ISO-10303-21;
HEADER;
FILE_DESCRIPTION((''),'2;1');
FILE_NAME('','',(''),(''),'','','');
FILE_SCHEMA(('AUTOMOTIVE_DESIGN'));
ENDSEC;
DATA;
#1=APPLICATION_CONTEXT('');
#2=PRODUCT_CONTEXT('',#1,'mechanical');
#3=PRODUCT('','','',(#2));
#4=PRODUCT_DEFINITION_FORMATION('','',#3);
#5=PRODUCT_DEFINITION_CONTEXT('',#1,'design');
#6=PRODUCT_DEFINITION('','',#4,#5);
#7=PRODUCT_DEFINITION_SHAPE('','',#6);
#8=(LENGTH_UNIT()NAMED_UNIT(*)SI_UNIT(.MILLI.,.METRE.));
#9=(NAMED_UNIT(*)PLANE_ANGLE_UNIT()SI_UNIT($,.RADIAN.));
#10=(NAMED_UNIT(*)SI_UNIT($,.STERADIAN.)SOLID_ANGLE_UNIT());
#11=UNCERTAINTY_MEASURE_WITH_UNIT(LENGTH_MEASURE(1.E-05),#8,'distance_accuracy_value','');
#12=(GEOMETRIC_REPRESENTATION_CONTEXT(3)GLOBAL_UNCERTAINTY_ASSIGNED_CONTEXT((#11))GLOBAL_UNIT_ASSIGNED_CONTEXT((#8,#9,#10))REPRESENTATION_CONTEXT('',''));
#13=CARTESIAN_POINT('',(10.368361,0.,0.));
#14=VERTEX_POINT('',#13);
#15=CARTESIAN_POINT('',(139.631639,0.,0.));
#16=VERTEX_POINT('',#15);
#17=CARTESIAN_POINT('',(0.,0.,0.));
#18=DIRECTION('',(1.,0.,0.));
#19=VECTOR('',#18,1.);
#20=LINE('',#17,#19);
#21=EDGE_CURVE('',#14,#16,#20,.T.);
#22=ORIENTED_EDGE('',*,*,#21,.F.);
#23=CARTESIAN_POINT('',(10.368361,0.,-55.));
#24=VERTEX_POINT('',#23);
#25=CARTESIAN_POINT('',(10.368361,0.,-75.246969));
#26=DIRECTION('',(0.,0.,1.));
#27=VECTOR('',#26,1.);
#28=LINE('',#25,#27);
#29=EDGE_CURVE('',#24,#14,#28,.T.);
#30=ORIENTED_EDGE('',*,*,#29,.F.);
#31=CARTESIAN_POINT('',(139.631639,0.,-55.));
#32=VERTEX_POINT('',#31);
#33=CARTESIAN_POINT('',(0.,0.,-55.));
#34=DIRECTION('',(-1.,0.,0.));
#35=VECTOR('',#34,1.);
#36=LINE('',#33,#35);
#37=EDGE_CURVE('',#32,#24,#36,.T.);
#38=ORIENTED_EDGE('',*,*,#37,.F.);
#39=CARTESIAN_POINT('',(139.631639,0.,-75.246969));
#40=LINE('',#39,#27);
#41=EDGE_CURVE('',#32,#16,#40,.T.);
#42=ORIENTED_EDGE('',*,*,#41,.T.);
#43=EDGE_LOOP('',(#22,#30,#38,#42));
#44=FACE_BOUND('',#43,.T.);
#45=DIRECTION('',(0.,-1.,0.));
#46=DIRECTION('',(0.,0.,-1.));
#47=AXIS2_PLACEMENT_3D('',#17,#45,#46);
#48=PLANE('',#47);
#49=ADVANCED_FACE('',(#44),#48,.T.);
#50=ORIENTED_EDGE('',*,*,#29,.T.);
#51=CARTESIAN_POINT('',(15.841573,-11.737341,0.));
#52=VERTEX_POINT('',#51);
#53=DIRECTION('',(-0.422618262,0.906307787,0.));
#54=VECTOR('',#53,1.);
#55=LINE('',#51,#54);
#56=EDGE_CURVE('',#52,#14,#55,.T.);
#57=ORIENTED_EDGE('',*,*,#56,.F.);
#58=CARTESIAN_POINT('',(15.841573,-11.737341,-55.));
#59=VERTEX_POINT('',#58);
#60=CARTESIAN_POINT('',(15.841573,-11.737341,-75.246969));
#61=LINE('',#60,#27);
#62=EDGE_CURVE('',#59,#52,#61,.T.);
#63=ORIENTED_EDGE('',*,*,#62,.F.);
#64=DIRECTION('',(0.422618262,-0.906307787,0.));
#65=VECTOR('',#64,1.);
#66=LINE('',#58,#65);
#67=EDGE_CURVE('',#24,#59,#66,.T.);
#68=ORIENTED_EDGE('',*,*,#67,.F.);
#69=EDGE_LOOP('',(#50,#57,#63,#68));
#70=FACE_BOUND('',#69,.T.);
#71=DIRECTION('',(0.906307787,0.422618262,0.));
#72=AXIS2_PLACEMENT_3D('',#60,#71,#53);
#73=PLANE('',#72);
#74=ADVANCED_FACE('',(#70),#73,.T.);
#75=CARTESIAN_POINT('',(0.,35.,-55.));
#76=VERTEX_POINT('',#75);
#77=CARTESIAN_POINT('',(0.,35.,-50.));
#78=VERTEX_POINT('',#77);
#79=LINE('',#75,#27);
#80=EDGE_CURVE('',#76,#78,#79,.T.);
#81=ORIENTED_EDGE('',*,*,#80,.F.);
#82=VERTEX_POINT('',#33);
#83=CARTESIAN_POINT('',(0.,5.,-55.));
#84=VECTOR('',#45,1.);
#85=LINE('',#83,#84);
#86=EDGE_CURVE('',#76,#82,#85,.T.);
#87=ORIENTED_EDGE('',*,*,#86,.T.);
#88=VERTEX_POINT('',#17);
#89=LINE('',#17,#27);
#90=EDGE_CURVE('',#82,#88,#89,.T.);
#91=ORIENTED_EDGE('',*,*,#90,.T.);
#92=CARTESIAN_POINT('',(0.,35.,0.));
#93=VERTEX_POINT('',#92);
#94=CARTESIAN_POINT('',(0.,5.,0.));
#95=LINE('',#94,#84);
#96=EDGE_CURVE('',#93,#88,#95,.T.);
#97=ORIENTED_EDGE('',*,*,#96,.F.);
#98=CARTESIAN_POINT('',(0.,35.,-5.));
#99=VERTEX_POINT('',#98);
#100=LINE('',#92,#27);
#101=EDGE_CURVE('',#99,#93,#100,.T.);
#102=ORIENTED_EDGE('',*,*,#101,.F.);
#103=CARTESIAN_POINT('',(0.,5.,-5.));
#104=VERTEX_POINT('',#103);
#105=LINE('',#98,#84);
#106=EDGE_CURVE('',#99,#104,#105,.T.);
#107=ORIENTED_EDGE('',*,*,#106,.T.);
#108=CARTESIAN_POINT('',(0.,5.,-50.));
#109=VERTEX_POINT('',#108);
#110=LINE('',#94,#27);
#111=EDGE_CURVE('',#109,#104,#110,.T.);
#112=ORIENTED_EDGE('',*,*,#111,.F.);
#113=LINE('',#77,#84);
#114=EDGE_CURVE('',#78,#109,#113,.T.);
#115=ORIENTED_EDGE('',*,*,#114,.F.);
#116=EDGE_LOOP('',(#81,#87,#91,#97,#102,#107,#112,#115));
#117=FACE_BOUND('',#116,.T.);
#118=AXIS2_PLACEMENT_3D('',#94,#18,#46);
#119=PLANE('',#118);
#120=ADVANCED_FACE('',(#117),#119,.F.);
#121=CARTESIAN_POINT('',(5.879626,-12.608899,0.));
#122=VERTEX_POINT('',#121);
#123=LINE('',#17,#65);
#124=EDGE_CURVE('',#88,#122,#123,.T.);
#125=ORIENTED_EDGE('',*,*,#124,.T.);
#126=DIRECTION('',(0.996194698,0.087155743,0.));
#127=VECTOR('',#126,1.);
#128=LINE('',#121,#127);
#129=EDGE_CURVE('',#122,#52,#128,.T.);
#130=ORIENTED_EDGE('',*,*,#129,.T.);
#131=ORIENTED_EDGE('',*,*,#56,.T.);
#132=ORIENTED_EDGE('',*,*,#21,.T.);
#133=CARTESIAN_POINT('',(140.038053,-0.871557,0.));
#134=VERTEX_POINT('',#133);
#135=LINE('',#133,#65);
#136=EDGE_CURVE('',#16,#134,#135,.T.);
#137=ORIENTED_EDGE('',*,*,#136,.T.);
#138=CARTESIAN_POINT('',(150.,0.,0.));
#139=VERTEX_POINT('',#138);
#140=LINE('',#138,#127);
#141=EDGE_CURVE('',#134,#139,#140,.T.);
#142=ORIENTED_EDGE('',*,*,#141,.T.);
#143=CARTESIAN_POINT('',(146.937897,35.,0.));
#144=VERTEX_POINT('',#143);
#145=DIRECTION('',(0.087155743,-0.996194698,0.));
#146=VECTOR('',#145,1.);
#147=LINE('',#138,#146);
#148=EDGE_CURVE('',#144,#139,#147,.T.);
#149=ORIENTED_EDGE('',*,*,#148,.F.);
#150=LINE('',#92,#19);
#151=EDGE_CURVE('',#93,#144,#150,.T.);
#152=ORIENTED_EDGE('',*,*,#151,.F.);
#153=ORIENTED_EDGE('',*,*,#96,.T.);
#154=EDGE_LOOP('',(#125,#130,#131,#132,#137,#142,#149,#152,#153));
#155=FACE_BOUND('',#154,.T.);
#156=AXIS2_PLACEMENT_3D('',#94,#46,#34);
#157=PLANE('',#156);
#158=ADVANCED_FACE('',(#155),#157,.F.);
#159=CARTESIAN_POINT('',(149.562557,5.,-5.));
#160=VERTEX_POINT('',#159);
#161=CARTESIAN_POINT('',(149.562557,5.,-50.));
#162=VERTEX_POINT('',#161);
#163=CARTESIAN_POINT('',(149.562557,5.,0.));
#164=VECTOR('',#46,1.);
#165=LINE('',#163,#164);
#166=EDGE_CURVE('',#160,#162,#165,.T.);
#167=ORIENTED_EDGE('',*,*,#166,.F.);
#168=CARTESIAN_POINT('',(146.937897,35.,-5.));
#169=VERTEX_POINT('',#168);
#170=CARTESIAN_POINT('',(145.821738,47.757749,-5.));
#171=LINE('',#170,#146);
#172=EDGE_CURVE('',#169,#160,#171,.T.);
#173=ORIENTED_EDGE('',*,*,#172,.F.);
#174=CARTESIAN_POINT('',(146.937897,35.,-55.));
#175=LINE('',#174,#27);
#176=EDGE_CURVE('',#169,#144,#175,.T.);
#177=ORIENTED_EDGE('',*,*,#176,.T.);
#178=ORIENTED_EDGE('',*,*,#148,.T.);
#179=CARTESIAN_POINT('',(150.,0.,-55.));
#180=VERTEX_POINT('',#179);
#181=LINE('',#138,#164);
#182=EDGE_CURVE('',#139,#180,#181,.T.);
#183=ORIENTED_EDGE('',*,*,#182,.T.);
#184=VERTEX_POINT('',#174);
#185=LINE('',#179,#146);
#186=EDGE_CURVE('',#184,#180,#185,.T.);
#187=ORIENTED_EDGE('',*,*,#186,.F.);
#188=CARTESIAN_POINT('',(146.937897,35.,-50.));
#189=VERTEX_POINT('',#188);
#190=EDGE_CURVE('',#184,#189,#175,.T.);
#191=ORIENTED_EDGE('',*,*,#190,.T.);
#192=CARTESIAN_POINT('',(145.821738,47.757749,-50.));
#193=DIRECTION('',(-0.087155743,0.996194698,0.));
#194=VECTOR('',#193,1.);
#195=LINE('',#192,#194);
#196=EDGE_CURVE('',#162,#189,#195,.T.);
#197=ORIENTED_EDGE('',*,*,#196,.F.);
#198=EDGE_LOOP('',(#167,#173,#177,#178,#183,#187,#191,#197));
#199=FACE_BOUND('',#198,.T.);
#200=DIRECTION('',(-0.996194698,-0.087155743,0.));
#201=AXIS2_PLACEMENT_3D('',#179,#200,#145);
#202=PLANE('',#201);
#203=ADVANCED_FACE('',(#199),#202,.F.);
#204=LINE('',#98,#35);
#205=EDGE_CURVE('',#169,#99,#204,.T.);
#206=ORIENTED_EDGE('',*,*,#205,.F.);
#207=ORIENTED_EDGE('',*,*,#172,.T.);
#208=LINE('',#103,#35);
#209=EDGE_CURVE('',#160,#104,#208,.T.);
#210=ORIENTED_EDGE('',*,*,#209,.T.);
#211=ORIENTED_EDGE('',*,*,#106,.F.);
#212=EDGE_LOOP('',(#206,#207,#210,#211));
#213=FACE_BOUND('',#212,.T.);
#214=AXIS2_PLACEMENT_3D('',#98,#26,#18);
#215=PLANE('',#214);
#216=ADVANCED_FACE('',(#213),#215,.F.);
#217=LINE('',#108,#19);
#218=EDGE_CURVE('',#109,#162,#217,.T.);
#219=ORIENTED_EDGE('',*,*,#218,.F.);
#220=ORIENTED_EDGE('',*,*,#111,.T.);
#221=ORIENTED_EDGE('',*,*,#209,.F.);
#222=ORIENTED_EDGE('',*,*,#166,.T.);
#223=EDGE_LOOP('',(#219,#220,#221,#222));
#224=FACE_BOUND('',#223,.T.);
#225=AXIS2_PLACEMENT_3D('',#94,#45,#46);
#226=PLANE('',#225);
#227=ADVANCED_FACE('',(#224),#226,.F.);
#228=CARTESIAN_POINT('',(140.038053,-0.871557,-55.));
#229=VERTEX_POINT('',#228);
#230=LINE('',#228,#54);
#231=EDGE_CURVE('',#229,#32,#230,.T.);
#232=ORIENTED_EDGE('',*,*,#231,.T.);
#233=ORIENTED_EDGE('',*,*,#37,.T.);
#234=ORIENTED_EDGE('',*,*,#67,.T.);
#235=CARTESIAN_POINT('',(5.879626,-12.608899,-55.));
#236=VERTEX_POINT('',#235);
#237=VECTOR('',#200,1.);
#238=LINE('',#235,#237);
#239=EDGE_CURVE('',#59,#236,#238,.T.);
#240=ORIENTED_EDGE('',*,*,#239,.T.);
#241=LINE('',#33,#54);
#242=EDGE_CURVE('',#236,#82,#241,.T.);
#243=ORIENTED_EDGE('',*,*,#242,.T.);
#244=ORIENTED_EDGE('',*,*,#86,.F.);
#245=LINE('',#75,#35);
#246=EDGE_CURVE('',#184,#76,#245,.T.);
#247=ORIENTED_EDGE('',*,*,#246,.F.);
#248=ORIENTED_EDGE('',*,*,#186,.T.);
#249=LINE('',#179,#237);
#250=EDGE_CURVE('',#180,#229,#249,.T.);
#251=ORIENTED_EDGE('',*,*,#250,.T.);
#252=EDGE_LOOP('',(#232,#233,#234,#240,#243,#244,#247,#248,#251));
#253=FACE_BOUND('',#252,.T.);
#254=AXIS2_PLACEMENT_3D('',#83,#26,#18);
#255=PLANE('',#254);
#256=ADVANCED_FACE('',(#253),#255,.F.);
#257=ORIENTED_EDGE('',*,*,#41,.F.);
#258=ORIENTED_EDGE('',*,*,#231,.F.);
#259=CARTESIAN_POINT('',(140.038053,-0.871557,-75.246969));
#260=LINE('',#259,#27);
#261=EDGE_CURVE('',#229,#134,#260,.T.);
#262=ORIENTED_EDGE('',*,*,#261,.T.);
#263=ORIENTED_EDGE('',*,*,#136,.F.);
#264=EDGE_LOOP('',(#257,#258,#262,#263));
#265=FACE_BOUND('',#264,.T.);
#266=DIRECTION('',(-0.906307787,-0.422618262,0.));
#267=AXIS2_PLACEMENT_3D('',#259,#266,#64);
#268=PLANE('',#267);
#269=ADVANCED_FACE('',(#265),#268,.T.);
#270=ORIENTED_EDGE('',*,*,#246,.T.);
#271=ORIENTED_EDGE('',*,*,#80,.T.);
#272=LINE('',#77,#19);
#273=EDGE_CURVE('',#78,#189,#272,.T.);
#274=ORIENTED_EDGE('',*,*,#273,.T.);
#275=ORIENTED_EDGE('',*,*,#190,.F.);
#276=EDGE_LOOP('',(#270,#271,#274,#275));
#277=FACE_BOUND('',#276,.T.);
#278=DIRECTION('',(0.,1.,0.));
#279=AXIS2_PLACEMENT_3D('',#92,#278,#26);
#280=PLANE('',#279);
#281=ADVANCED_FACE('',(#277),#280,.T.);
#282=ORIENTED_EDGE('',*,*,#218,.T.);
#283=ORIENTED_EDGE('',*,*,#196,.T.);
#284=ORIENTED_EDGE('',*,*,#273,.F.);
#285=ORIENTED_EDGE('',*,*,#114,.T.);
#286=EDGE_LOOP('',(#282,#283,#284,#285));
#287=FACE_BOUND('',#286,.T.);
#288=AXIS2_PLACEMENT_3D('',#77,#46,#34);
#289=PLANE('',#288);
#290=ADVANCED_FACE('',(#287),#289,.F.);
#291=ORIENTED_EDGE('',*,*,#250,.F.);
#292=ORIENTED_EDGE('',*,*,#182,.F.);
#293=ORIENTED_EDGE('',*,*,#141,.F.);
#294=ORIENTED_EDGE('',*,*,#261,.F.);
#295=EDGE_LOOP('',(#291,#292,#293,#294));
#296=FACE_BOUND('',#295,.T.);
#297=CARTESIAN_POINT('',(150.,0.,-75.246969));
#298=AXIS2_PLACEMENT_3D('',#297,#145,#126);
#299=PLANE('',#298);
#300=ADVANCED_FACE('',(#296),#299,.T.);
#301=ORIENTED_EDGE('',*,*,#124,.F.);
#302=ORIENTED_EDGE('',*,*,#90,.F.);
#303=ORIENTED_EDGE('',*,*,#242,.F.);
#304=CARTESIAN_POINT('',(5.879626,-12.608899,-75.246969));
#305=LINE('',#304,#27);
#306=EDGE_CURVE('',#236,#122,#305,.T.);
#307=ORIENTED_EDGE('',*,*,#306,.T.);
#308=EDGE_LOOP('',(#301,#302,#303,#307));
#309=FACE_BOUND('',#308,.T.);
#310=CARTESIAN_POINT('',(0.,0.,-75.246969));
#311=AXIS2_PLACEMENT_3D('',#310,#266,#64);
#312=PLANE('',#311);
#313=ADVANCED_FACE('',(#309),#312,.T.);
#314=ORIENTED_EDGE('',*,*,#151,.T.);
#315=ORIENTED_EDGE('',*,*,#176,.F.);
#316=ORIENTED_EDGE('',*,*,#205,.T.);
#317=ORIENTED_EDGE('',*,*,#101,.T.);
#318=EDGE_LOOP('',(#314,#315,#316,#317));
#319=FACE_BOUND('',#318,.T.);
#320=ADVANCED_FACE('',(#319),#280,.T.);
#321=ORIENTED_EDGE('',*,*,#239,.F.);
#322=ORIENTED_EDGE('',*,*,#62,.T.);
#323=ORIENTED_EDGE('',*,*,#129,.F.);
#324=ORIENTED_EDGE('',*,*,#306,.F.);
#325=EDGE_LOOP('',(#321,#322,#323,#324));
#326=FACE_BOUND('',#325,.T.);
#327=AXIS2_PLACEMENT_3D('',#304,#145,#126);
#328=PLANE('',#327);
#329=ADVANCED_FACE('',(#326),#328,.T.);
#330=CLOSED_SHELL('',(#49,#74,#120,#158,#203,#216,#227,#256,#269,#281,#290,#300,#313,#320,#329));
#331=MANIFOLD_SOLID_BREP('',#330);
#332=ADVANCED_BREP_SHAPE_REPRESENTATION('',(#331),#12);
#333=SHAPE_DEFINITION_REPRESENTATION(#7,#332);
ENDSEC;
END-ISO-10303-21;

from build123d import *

# Parameters (mm, degrees)
ESQUISSE2_W             = 150
ESQUISSE2_H             = 55
BOSS_EXTRU_1_DEPTH      = 5
ESQUISSE3_W             = 150
ESQUISSE3_H             = 5
BOSS_EXTRU_2_DEPTH      = 30
BOSS_EXTRU_3_DEPTH      = 55
ENL_V_MAT_EXTRU_1_DEPTH = 164.554272338


with BuildPart() as part:
    # Esquisse2 → Boss.-Extru.1 (new body)
    with BuildSketch(Plane(origin=(0, 0, 0), x_dir=(1, 0, 0), z_dir=(0, 1, 0))):
        with Locations((75, 27.5)):
            Rectangle(ESQUISSE2_W, ESQUISSE2_H)
    extrude(amount=BOSS_EXTRU_1_DEPTH)

    # Esquisse3 → Boss.-Extru.2 (add)
    with BuildSketch(Plane(origin=(0, 5, 0), x_dir=(1, 0, 0), z_dir=(0, 1, 0))):
        with Locations((75, 2.5)):
            Rectangle(ESQUISSE3_W, ESQUISSE3_H)
        with Locations((75, 52.5)):
            Rectangle(ESQUISSE3_W, ESQUISSE3_H)
    extrude(amount=BOSS_EXTRU_2_DEPTH)

    # Esquisse4 → Boss.-Extru.3 (add)
    with BuildSketch(Plane.XY):
        Polygon((0, 0), (5.879626117, -12.608898898), (15.841573098, -11.73734147), (10.368360884, 0), align=None)
        Polygon((150, 0), (140.038053019, -0.871557427), (139.631639116, 0), align=None)
    extrude(amount=-BOSS_EXTRU_3_DEPTH)

    # Esquisse5 → Enlèv. mat.-Extru.1 (cut, through all)
    with BuildSketch(Plane.XY):
        Polygon((150, 0), (146.937896777, 35), (150, 35), align=None)
    extrude(amount=-ENL_V_MAT_EXTRU_1_DEPTH, mode=Mode.SUBTRACT)


solid = part.part
